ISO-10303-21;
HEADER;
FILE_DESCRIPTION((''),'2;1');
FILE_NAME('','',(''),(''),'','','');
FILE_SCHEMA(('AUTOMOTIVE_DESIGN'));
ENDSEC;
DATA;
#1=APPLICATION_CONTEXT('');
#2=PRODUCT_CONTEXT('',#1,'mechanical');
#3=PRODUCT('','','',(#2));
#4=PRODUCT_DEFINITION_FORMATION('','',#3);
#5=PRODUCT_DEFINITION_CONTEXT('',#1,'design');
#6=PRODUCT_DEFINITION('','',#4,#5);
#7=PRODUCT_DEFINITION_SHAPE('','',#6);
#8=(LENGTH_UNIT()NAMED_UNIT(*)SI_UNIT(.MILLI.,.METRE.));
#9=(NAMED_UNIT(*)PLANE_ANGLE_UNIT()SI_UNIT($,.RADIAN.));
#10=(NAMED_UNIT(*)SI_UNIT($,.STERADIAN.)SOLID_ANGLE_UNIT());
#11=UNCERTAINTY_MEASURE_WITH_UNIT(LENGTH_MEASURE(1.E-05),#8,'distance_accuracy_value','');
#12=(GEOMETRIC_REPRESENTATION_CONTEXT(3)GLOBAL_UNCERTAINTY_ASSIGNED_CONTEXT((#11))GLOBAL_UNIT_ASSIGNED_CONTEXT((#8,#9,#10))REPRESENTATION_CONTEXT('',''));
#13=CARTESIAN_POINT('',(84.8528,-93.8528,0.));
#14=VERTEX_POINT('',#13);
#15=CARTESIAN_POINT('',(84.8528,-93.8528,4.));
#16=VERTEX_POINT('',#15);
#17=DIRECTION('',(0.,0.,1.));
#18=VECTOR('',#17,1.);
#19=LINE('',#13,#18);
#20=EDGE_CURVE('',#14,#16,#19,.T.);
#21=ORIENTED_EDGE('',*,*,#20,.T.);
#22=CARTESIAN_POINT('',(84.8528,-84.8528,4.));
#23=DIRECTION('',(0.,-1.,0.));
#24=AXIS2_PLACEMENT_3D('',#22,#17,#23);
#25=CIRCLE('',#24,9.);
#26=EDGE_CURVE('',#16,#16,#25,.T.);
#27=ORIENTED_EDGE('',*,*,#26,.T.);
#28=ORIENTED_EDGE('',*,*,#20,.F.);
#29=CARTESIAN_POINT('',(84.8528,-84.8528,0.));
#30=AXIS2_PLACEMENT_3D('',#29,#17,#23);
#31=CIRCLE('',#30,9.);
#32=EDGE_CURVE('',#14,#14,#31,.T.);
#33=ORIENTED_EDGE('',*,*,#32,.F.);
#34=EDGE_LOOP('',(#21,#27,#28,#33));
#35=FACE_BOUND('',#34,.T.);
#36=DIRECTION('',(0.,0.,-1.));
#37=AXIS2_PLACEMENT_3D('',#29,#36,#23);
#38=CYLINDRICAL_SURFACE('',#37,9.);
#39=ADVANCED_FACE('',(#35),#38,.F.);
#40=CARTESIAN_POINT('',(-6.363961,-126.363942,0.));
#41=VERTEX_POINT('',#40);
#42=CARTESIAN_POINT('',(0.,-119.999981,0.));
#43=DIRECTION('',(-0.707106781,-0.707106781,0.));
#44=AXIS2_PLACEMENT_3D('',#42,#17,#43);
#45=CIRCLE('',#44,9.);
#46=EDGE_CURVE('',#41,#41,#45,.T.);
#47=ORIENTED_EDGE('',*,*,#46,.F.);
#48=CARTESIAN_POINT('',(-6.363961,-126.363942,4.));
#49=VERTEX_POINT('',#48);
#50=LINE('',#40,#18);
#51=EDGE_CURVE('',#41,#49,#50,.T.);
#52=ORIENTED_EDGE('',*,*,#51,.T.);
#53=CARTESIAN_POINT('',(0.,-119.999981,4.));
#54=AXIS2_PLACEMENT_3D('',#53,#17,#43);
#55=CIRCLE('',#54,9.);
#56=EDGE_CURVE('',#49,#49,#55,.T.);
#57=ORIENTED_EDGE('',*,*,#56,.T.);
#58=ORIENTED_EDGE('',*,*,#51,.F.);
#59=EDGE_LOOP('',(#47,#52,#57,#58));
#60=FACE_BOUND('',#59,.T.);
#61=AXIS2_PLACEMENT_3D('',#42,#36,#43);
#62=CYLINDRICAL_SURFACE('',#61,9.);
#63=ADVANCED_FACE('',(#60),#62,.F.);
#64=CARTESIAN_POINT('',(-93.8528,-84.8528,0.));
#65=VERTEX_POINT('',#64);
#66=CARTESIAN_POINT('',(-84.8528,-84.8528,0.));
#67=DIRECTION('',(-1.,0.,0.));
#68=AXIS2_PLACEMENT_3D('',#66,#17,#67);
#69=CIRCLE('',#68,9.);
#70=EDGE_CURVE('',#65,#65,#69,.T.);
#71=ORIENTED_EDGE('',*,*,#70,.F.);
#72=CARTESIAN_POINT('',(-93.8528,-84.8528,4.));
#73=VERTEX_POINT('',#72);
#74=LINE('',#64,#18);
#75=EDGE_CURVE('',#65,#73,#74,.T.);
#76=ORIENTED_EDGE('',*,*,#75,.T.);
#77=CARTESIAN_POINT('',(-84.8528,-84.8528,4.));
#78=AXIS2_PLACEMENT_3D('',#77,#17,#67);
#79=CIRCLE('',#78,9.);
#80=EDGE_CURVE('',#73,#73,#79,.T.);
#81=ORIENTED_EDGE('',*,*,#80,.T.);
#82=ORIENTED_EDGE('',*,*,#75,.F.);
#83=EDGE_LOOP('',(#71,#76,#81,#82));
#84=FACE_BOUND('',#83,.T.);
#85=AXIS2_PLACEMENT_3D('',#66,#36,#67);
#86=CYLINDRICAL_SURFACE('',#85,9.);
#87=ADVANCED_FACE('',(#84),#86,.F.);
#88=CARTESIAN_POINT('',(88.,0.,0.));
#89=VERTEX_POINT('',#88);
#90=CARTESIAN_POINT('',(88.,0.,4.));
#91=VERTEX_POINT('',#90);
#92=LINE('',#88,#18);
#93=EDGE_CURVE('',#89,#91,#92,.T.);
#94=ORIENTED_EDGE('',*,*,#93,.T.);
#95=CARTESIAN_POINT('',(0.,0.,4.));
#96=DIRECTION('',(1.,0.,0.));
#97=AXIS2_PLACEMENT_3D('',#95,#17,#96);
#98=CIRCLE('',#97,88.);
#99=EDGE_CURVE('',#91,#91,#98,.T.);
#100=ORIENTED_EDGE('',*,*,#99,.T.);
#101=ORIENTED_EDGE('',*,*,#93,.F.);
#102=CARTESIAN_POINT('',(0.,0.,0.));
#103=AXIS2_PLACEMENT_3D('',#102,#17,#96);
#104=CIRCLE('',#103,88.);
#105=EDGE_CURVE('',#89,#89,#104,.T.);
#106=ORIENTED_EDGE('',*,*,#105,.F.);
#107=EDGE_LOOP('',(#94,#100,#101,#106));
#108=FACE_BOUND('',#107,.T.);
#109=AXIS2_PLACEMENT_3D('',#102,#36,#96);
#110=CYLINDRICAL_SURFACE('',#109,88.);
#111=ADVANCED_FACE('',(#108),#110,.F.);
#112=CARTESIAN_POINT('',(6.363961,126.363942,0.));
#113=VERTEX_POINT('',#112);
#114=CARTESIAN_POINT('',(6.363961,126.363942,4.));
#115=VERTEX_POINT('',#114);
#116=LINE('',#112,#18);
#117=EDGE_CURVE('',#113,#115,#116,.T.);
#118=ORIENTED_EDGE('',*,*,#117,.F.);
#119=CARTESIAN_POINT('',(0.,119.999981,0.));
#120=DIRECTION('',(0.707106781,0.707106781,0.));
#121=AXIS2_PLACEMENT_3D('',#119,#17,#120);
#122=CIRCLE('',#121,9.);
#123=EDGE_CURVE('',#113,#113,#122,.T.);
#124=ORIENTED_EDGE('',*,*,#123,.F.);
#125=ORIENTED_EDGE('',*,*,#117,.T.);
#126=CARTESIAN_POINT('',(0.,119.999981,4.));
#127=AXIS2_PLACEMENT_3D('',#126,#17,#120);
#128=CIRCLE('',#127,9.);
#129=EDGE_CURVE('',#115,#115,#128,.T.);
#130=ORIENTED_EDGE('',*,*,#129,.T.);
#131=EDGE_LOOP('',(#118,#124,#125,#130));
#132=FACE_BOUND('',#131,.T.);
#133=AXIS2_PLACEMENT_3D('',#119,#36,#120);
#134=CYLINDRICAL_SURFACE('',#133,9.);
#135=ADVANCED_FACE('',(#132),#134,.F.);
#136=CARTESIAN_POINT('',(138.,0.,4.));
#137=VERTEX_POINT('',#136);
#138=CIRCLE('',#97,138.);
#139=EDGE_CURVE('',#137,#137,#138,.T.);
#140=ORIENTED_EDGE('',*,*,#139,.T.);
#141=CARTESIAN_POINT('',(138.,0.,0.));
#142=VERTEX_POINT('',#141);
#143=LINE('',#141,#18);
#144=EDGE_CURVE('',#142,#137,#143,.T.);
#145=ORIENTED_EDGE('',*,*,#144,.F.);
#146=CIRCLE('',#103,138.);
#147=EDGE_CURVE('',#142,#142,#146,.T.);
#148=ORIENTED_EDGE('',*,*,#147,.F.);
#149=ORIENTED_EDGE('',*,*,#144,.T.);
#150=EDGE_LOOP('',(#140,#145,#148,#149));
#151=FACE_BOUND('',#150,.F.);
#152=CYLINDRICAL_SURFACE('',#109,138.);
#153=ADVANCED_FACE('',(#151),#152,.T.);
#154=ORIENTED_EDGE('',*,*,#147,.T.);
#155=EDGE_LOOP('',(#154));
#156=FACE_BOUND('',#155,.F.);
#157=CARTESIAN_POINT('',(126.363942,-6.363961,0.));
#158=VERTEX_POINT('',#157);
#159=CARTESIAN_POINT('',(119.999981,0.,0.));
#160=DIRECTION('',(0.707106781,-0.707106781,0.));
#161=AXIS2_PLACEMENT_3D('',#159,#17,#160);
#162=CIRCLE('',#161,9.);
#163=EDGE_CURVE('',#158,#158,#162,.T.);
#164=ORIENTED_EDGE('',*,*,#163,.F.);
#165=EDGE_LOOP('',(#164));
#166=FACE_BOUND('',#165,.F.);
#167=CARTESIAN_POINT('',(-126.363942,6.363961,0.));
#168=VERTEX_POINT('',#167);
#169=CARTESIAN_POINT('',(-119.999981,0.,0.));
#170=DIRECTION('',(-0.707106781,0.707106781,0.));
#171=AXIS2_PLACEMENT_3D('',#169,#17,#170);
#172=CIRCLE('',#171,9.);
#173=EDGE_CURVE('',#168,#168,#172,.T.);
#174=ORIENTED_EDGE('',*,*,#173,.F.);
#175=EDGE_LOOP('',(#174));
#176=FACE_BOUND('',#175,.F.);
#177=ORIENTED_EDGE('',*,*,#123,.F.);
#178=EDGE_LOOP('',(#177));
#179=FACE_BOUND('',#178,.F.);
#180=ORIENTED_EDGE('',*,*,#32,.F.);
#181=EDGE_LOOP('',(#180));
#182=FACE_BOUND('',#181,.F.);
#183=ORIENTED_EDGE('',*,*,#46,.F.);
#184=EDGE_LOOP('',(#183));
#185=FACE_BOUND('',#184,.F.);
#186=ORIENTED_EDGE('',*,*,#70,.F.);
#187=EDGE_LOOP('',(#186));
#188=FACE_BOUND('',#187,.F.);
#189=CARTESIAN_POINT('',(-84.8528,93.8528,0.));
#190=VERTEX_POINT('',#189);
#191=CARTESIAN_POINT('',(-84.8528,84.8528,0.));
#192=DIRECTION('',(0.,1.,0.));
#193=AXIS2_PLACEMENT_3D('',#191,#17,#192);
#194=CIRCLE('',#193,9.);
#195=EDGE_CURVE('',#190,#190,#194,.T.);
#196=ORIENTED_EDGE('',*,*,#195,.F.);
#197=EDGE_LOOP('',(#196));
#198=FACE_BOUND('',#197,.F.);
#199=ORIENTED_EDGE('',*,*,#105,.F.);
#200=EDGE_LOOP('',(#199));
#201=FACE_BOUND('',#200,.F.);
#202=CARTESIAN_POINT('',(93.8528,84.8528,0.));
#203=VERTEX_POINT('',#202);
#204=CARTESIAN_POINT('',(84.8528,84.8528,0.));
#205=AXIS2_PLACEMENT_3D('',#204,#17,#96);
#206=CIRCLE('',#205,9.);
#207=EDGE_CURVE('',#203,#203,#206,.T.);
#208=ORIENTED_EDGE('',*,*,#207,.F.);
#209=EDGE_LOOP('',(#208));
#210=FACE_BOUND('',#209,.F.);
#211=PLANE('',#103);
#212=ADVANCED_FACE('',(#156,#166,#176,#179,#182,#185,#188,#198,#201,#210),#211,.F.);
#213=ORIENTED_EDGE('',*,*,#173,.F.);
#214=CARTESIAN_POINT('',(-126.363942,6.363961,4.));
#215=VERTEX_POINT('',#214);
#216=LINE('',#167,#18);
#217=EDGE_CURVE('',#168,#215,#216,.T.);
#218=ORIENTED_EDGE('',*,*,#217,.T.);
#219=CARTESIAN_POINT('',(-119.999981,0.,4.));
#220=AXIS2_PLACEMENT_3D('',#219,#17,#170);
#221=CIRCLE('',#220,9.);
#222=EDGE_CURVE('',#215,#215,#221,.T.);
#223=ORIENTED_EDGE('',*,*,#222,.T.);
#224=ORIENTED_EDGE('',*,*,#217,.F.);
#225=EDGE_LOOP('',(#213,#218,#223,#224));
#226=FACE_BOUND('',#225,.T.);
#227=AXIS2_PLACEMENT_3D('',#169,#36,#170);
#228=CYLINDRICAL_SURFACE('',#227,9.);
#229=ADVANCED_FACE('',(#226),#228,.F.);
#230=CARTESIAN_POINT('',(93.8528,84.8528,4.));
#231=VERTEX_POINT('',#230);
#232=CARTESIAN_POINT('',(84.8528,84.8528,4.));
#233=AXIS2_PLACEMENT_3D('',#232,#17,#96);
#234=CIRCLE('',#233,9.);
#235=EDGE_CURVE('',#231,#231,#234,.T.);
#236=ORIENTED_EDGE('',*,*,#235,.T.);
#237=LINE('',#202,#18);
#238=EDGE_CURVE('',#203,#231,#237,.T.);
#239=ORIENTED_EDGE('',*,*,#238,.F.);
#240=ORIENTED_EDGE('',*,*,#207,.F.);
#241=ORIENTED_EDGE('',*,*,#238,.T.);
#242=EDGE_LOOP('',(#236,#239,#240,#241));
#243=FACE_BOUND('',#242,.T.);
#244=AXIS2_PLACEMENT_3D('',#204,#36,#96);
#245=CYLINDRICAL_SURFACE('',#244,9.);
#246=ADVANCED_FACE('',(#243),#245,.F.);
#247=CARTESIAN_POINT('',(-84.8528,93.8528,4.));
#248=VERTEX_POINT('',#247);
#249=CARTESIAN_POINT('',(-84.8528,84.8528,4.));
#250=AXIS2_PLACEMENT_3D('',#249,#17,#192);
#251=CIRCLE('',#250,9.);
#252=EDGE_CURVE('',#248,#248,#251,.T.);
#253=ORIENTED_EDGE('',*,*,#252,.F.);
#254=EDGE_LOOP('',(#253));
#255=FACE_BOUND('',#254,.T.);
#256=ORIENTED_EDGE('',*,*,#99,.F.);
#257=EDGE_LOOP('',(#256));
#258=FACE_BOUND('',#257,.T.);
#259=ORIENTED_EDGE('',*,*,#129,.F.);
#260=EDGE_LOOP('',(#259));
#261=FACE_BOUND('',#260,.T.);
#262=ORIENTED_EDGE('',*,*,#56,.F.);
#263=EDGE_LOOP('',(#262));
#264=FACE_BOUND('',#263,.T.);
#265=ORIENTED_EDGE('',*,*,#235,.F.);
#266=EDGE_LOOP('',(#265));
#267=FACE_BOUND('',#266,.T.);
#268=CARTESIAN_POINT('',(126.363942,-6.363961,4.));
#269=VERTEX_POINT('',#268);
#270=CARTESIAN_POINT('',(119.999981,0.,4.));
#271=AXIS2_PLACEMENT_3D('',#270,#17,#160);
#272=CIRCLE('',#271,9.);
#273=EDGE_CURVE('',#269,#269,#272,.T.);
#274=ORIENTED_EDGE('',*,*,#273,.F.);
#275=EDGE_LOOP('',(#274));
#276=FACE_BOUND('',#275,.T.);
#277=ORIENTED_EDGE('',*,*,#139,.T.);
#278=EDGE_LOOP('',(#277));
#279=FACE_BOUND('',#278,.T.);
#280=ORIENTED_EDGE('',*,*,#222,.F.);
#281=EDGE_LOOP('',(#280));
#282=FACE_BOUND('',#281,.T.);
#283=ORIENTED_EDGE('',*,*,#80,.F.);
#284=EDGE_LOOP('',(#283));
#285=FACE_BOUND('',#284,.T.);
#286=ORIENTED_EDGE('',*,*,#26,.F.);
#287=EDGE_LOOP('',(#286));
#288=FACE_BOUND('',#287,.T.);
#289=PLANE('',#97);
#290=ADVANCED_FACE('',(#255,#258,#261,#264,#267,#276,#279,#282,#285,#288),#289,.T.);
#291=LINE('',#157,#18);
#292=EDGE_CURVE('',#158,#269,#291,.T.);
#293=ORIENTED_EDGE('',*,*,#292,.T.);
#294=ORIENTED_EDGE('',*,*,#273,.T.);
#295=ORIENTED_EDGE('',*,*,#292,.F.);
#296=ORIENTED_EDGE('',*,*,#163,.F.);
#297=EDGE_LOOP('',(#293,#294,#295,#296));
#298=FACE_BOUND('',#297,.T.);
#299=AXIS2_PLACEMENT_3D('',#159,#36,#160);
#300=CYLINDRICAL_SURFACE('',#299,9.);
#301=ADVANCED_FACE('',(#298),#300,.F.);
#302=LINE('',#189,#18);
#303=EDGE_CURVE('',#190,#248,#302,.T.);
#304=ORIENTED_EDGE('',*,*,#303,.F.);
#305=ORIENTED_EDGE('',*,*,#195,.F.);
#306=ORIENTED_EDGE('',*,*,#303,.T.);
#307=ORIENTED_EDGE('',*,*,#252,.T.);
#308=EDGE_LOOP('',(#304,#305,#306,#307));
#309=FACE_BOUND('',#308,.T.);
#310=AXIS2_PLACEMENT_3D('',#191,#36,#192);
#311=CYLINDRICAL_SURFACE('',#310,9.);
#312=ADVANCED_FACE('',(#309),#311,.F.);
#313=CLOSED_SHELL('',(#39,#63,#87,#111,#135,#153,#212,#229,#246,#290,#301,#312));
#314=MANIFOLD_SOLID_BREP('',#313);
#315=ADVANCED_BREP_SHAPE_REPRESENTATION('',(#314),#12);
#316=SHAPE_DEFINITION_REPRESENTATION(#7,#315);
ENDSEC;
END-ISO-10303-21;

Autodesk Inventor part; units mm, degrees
ref_plane "YZ Plane" through (0, 0, 0) normal (1, 0, 0) x (0, 1, 0)
ref_plane "XZ Plane" through (0, 0, 0) normal (0, 1, 0) x (-1, 0, 0)
ref_plane "XY Plane" through (0, 0, 0) normal (0, 0, 1) x (1, 0, 0)
sketch "Sketch1" plane through (0, 0, 0) normal (0, 0, 1) x (1, 0, 0)
  circle A0 centre (0, 0) radius 88
  circle A1 centre (0, 0) radius 138
  line L0 (97.5807, -97.5807) -> (-97.5807, 97.5807) construction
  line L1 (-97.5807, -97.5807) -> (97.5807, 97.5807) construction
  point P0 (0, 88)
  dimension "d44" = 176
  dimension "d23" = 276
extrude "Plate1" add sketch "Sketch1" along normal blind 4
sketch "Sketch6" plane through (0, 0, 0) normal (0, 0, 1) x (1, 0, 0)
  line L0 (0, 0) -> (0, 120) construction
  circle A0 centre (0, 0) radius 120 construction
  line L1 (0, 0) -> (84.8528, 84.8528) construction
  circle A1 centre (84.8528, 84.8528) radius 9
  dimension "d32" = 18
  dimension "d33" = 240
  dimension "d34" = 45
extrude "Cut2" cut sketch "Sketch6" along normal blind 4
pattern_circular "Circular Pattern2" count 8 over 360 about axis through (0, 0, -10) along (0, 0, -1) of "Cut2"
equation "\"d32\" = Flange_d_hole_diam"
equation "\"d33\" = Flange_D1_hole_center"
equation "\"d35\" = Thickness"
equation "\"d2\" = Thickness"
equation "\"BendReliefWidth\" = Thickness"
equation "\"BendReliefDepth\" = 0.5 * Thickness"
equation "\"CornerReliefSize\" = 4 * Thickness"
equation "\"MinimumRemnant\" = 2 * Thickness"
equation "\"TransitionRadius\" = BendRadius"
equation "\"JacobiRadiusSize\" = BendRadius"
equation "\"GapSize\" = Thickness"
equation "\"Octaeder_side\" = d41"
equation "\"Octaeder_flange_lenth\" = d42"
equation "\"Flange_d_hole_diam\" = 18"
equation "\"Flange_D1_hole_center\" = 240"
equation "\"Thickness\" = 4"
equation "\"BendRadius\" = 6"
equation "\"d41\" = 55.918831"
equation "\"d42\" = 72.5"
properties part number "DSB 113 drain system loose flange double" material "Stainless Steel"
